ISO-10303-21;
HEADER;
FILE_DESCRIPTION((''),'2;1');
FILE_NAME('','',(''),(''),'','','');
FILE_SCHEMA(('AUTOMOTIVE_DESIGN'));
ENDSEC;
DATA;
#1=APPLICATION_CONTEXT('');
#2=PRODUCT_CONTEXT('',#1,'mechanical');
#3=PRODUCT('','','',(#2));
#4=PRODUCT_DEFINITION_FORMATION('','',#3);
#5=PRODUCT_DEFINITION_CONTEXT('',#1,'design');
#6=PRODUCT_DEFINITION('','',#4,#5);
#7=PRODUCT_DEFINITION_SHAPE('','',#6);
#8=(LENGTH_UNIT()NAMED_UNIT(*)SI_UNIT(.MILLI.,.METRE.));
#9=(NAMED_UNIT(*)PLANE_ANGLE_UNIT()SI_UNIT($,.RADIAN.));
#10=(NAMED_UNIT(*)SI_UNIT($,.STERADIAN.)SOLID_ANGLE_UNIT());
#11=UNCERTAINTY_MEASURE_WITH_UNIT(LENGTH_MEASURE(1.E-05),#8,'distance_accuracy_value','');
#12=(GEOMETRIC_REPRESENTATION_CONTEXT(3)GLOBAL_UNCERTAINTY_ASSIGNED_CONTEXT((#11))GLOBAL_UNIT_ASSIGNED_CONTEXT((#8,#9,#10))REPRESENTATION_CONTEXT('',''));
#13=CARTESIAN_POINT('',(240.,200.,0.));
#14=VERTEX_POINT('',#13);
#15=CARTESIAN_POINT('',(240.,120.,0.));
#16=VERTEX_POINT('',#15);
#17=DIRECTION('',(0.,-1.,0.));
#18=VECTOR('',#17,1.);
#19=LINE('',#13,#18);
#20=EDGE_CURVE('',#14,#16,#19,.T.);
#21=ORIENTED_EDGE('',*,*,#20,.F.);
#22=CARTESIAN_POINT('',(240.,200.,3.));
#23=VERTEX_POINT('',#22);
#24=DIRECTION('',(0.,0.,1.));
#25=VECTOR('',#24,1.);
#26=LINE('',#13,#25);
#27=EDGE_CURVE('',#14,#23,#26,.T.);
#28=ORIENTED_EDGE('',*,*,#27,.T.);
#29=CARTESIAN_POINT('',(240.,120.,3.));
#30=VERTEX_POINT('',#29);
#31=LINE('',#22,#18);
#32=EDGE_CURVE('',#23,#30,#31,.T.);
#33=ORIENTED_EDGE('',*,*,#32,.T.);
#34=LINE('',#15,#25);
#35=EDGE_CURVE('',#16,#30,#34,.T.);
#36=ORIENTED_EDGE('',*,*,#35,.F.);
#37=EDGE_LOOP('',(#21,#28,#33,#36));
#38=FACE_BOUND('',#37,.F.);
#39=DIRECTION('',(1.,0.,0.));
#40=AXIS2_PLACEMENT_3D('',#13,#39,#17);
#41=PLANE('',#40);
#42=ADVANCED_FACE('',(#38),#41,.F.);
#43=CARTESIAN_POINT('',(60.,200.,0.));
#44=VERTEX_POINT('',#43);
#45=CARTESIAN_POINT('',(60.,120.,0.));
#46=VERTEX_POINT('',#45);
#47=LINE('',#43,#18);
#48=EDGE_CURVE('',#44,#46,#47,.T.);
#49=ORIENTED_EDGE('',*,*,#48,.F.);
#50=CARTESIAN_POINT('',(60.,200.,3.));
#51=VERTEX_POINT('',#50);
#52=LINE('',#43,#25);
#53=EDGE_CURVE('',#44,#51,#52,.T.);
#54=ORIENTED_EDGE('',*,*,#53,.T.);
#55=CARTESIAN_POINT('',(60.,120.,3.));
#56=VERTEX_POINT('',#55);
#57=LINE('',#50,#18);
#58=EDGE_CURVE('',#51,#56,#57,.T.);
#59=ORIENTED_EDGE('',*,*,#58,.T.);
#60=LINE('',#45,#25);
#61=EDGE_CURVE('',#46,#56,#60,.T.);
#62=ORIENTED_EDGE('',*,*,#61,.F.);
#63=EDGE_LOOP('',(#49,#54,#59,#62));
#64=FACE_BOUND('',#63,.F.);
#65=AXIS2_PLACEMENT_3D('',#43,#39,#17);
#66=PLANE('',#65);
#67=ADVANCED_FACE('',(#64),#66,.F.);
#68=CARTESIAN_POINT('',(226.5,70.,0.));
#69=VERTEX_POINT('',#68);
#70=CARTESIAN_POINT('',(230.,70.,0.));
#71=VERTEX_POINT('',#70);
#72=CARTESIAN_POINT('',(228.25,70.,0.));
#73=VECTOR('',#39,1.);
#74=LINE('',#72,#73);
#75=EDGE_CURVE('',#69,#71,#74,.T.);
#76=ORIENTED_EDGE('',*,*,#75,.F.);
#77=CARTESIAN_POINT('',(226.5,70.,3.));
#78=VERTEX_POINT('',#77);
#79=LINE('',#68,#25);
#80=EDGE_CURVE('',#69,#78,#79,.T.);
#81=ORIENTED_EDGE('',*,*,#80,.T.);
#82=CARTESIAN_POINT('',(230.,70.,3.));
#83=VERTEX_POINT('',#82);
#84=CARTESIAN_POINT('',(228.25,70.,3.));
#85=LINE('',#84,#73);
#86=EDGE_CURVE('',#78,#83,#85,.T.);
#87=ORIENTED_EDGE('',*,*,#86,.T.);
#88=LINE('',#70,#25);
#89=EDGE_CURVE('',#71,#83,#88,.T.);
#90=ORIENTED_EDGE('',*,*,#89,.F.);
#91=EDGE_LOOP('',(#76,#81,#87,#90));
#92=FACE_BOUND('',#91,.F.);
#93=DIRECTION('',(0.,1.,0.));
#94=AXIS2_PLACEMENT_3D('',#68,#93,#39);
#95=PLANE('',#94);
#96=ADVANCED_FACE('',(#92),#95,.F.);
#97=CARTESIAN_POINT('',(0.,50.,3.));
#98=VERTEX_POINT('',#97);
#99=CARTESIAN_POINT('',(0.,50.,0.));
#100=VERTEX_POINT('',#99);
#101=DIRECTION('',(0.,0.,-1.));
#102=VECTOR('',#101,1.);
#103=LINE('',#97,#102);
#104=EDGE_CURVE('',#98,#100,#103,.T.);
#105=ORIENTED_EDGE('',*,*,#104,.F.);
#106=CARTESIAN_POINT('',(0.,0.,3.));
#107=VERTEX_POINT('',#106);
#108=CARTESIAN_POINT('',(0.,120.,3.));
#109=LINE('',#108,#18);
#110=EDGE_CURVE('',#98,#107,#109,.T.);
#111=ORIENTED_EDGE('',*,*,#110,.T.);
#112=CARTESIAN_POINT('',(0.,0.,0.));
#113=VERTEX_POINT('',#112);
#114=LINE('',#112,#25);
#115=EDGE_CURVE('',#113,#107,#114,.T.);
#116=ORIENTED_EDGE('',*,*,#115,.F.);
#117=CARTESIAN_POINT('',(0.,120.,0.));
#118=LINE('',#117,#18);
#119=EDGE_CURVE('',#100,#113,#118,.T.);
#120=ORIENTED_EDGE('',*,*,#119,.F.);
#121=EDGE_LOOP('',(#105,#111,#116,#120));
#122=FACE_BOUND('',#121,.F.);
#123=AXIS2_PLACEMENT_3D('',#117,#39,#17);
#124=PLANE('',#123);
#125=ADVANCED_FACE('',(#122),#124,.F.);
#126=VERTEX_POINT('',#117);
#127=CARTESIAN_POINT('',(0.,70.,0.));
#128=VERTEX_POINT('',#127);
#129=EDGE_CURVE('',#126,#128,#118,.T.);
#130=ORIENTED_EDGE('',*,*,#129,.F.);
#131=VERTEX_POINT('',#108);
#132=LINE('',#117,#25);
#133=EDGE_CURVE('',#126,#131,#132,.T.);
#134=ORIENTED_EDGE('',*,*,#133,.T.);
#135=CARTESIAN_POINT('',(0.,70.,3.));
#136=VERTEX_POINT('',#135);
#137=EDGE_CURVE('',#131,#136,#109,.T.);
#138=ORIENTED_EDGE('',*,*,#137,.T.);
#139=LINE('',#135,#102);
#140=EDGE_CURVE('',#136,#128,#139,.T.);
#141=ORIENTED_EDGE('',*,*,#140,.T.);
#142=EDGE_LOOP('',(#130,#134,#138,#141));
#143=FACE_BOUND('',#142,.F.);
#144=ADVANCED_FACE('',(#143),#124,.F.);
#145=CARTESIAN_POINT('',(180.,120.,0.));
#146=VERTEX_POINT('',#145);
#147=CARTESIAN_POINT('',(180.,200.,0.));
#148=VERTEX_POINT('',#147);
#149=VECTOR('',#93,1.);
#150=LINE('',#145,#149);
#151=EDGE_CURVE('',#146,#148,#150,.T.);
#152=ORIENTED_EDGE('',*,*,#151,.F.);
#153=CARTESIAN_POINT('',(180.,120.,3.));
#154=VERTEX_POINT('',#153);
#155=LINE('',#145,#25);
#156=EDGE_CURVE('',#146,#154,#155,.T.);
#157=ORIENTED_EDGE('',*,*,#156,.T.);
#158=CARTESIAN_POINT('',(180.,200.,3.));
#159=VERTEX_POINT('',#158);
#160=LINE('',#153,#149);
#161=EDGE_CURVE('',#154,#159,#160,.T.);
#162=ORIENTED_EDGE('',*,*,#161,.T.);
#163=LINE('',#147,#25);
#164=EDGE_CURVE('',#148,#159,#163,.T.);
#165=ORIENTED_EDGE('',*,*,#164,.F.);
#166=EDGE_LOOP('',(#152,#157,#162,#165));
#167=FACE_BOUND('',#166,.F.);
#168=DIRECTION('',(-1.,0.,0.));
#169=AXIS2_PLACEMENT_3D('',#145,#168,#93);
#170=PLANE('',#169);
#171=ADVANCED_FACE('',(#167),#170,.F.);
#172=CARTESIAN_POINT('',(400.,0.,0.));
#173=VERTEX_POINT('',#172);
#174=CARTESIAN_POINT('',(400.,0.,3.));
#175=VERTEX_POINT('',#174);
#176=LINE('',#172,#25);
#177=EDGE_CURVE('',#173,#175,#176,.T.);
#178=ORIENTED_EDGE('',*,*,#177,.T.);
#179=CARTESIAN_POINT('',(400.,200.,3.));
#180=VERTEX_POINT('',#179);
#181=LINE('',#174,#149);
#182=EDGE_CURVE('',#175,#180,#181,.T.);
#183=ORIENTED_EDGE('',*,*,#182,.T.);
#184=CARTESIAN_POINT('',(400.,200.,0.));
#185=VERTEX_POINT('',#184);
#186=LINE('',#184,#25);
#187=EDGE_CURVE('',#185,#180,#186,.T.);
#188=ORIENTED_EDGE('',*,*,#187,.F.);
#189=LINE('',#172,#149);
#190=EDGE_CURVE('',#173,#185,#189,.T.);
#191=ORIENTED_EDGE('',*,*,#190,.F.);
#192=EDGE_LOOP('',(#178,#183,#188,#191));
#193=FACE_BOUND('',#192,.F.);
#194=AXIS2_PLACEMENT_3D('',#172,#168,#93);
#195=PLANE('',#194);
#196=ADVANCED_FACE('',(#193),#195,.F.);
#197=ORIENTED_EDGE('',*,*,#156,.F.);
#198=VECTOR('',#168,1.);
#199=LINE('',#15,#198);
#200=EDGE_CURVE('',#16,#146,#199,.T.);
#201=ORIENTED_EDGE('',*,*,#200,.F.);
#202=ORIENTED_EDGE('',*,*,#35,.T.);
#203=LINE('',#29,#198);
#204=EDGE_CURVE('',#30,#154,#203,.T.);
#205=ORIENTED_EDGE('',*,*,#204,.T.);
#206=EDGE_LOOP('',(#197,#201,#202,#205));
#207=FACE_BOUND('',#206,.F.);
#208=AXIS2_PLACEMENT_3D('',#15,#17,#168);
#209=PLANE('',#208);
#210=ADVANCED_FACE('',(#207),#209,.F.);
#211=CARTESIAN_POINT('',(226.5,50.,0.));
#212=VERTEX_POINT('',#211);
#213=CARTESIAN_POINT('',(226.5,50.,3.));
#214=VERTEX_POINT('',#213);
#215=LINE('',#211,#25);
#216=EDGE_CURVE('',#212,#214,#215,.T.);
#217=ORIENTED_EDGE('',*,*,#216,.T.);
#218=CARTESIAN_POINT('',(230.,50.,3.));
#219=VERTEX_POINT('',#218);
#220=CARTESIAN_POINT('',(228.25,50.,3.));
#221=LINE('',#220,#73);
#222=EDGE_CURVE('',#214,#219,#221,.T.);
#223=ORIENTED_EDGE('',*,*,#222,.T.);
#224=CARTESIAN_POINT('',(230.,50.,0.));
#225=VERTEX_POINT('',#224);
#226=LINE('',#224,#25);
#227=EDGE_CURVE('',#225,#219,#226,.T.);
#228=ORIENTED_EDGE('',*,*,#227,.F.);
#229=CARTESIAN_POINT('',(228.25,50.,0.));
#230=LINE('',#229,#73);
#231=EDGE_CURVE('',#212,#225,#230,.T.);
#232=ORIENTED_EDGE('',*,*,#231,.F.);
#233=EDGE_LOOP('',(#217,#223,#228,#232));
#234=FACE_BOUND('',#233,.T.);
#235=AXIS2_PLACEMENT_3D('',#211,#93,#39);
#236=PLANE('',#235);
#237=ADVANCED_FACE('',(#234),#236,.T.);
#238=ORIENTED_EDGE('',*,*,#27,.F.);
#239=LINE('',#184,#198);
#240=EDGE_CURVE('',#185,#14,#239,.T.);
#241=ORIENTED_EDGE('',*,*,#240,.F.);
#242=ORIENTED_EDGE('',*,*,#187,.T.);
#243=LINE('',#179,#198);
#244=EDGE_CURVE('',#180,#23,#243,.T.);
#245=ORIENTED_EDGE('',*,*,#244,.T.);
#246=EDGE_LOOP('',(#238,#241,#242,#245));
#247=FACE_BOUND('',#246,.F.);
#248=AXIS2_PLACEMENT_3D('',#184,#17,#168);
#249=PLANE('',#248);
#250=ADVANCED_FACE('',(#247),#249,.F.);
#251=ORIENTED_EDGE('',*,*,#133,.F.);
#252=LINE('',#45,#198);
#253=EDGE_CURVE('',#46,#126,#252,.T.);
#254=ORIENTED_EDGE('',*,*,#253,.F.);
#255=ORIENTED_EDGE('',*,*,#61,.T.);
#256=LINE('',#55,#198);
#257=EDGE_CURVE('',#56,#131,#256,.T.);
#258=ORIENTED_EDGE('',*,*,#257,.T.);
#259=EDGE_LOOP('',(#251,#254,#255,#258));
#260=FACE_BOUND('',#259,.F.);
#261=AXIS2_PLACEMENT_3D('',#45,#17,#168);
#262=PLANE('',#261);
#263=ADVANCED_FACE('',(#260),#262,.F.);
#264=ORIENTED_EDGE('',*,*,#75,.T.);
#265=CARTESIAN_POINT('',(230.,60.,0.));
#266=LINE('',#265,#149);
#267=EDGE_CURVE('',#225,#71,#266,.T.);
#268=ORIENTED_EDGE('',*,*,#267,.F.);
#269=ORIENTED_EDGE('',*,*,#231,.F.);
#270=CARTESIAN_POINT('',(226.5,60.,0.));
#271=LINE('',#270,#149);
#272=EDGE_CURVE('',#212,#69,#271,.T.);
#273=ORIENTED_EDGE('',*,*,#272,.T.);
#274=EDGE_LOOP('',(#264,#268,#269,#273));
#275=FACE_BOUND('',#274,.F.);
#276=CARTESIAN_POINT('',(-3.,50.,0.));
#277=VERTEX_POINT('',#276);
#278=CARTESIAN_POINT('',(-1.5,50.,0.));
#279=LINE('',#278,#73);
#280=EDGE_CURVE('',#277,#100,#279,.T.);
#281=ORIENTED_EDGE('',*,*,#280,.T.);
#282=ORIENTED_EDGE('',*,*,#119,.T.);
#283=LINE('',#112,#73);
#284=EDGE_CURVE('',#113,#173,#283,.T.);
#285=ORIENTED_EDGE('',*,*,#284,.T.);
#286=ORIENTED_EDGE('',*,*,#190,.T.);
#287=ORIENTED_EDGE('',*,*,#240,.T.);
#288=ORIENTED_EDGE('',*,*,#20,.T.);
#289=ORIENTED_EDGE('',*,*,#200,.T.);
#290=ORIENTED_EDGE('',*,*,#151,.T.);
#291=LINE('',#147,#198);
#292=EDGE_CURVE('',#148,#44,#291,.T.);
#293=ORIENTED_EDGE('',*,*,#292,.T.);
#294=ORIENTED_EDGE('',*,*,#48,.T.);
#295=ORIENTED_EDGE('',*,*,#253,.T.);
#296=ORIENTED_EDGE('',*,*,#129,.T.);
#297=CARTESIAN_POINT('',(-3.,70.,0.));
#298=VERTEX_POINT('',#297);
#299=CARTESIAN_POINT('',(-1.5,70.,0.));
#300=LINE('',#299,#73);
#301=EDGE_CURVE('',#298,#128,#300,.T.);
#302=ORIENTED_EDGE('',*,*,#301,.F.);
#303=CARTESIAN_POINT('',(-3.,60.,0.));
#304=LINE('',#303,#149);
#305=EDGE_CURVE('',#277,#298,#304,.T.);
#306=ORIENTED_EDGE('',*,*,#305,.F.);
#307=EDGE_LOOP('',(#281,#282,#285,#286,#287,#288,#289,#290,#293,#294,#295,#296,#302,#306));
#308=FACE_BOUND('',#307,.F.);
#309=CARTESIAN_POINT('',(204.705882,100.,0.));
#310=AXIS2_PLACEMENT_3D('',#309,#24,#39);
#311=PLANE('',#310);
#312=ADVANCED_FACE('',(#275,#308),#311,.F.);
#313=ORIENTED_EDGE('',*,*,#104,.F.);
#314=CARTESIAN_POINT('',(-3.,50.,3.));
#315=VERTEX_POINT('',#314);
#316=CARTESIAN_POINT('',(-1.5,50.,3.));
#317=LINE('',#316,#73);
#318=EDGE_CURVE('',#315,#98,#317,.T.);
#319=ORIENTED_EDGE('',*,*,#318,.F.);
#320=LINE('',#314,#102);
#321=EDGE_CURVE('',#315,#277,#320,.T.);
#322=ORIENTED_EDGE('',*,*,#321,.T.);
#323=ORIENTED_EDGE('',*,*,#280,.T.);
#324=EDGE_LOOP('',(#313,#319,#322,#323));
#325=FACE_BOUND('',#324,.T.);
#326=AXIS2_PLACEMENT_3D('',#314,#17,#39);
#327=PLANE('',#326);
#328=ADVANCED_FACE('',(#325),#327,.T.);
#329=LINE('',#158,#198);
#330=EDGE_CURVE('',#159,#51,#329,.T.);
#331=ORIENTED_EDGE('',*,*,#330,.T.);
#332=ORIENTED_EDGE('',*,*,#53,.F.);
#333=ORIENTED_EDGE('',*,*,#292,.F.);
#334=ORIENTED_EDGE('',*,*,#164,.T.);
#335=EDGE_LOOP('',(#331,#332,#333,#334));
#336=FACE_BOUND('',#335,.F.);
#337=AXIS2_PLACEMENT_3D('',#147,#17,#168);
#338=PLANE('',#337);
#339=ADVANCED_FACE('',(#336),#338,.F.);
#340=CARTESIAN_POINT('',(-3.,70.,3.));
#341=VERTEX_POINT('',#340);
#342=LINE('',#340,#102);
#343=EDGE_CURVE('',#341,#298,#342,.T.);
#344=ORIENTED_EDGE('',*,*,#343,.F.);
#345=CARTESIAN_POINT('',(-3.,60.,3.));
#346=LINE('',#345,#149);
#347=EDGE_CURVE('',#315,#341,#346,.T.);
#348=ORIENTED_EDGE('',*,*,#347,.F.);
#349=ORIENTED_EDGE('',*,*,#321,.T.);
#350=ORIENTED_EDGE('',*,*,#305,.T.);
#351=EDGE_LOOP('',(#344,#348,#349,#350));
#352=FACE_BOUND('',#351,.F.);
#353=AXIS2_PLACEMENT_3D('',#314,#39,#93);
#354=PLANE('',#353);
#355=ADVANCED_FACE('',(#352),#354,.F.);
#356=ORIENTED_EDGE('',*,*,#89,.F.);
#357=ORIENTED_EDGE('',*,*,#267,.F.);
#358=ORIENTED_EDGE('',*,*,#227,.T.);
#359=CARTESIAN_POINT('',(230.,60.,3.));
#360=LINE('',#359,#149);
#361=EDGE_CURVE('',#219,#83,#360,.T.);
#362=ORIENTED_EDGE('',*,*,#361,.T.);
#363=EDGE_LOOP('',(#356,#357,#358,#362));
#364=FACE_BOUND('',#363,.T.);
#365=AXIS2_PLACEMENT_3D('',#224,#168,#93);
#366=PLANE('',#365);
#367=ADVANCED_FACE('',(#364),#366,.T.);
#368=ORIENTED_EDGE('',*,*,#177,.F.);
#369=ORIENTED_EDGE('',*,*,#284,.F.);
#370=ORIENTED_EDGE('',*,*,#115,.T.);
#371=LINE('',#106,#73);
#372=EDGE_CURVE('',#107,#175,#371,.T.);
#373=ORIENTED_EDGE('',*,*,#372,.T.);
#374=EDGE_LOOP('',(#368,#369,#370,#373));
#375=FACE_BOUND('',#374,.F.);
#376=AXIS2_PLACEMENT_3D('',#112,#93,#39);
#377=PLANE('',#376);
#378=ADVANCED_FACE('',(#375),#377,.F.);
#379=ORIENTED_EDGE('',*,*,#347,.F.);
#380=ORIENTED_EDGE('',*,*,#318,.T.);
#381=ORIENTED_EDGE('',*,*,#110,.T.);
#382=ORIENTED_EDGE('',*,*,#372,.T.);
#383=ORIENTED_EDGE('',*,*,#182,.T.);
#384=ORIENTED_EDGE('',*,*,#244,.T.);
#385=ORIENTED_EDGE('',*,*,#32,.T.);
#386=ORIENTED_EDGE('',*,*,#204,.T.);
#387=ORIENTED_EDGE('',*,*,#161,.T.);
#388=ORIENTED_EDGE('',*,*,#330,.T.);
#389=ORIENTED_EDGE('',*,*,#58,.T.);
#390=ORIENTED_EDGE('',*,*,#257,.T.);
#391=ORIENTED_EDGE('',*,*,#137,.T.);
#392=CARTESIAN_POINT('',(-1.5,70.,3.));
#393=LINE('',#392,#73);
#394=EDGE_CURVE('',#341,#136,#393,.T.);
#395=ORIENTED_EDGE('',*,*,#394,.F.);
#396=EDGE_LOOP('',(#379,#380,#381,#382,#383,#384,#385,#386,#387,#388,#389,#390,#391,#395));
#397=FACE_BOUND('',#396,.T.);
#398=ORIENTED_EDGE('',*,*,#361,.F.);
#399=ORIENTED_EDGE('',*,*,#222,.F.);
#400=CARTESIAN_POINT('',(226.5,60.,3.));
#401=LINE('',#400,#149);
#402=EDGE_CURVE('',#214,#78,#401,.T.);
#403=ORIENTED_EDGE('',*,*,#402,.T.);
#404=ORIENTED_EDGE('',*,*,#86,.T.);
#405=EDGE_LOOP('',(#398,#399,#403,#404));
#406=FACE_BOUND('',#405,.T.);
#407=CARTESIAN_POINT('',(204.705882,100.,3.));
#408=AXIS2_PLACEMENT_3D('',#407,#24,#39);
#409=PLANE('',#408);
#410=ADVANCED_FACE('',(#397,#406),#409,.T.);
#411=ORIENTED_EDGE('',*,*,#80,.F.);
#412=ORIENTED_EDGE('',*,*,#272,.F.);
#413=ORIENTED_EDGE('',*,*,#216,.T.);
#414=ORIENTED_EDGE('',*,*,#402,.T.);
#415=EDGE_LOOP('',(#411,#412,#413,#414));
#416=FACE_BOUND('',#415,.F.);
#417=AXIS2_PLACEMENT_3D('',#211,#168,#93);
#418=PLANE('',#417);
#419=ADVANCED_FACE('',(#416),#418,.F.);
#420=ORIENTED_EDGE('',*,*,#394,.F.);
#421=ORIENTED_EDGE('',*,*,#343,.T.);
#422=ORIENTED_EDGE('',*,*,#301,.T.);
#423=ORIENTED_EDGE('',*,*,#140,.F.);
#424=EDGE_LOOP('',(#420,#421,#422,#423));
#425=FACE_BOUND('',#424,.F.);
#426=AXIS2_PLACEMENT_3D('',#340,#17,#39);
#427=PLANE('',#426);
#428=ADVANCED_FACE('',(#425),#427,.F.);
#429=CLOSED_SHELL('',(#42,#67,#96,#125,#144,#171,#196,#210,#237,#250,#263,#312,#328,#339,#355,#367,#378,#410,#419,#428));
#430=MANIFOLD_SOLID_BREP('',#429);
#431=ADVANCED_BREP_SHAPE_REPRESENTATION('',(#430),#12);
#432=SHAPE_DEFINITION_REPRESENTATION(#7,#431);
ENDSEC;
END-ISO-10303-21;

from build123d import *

# Parameters (mm, degrees)
F0_W     = 3.5
F0_H     = 20
F1_DEPTH = 3
F2_W     = 3
F2_H     = 20
F3_DEPTH = 3


with BuildPart() as f1:
    # F0 (on Top) → F1 (new body)
    with BuildSketch(Plane.XY):
        Polygon((60, 200), (60, 120), (0, 120), (0, 0), (400, 0), (400, 200), (240, 200), (240, 120), (180, 120), (180, 200), align=None)
        with Locations((228.25, 60)):
            Rectangle(F0_W, F0_H, mode=Mode.SUBTRACT)
    extrude(amount=F1_DEPTH)

    # F2 (on face) → F3 (join, through all)
    with BuildSketch(Plane.XY.offset(3)):
        with Locations((-1.5, 60)):
            Rectangle(F2_W, F2_H)
    extrude(amount=-F3_DEPTH)


solid = f1.part
